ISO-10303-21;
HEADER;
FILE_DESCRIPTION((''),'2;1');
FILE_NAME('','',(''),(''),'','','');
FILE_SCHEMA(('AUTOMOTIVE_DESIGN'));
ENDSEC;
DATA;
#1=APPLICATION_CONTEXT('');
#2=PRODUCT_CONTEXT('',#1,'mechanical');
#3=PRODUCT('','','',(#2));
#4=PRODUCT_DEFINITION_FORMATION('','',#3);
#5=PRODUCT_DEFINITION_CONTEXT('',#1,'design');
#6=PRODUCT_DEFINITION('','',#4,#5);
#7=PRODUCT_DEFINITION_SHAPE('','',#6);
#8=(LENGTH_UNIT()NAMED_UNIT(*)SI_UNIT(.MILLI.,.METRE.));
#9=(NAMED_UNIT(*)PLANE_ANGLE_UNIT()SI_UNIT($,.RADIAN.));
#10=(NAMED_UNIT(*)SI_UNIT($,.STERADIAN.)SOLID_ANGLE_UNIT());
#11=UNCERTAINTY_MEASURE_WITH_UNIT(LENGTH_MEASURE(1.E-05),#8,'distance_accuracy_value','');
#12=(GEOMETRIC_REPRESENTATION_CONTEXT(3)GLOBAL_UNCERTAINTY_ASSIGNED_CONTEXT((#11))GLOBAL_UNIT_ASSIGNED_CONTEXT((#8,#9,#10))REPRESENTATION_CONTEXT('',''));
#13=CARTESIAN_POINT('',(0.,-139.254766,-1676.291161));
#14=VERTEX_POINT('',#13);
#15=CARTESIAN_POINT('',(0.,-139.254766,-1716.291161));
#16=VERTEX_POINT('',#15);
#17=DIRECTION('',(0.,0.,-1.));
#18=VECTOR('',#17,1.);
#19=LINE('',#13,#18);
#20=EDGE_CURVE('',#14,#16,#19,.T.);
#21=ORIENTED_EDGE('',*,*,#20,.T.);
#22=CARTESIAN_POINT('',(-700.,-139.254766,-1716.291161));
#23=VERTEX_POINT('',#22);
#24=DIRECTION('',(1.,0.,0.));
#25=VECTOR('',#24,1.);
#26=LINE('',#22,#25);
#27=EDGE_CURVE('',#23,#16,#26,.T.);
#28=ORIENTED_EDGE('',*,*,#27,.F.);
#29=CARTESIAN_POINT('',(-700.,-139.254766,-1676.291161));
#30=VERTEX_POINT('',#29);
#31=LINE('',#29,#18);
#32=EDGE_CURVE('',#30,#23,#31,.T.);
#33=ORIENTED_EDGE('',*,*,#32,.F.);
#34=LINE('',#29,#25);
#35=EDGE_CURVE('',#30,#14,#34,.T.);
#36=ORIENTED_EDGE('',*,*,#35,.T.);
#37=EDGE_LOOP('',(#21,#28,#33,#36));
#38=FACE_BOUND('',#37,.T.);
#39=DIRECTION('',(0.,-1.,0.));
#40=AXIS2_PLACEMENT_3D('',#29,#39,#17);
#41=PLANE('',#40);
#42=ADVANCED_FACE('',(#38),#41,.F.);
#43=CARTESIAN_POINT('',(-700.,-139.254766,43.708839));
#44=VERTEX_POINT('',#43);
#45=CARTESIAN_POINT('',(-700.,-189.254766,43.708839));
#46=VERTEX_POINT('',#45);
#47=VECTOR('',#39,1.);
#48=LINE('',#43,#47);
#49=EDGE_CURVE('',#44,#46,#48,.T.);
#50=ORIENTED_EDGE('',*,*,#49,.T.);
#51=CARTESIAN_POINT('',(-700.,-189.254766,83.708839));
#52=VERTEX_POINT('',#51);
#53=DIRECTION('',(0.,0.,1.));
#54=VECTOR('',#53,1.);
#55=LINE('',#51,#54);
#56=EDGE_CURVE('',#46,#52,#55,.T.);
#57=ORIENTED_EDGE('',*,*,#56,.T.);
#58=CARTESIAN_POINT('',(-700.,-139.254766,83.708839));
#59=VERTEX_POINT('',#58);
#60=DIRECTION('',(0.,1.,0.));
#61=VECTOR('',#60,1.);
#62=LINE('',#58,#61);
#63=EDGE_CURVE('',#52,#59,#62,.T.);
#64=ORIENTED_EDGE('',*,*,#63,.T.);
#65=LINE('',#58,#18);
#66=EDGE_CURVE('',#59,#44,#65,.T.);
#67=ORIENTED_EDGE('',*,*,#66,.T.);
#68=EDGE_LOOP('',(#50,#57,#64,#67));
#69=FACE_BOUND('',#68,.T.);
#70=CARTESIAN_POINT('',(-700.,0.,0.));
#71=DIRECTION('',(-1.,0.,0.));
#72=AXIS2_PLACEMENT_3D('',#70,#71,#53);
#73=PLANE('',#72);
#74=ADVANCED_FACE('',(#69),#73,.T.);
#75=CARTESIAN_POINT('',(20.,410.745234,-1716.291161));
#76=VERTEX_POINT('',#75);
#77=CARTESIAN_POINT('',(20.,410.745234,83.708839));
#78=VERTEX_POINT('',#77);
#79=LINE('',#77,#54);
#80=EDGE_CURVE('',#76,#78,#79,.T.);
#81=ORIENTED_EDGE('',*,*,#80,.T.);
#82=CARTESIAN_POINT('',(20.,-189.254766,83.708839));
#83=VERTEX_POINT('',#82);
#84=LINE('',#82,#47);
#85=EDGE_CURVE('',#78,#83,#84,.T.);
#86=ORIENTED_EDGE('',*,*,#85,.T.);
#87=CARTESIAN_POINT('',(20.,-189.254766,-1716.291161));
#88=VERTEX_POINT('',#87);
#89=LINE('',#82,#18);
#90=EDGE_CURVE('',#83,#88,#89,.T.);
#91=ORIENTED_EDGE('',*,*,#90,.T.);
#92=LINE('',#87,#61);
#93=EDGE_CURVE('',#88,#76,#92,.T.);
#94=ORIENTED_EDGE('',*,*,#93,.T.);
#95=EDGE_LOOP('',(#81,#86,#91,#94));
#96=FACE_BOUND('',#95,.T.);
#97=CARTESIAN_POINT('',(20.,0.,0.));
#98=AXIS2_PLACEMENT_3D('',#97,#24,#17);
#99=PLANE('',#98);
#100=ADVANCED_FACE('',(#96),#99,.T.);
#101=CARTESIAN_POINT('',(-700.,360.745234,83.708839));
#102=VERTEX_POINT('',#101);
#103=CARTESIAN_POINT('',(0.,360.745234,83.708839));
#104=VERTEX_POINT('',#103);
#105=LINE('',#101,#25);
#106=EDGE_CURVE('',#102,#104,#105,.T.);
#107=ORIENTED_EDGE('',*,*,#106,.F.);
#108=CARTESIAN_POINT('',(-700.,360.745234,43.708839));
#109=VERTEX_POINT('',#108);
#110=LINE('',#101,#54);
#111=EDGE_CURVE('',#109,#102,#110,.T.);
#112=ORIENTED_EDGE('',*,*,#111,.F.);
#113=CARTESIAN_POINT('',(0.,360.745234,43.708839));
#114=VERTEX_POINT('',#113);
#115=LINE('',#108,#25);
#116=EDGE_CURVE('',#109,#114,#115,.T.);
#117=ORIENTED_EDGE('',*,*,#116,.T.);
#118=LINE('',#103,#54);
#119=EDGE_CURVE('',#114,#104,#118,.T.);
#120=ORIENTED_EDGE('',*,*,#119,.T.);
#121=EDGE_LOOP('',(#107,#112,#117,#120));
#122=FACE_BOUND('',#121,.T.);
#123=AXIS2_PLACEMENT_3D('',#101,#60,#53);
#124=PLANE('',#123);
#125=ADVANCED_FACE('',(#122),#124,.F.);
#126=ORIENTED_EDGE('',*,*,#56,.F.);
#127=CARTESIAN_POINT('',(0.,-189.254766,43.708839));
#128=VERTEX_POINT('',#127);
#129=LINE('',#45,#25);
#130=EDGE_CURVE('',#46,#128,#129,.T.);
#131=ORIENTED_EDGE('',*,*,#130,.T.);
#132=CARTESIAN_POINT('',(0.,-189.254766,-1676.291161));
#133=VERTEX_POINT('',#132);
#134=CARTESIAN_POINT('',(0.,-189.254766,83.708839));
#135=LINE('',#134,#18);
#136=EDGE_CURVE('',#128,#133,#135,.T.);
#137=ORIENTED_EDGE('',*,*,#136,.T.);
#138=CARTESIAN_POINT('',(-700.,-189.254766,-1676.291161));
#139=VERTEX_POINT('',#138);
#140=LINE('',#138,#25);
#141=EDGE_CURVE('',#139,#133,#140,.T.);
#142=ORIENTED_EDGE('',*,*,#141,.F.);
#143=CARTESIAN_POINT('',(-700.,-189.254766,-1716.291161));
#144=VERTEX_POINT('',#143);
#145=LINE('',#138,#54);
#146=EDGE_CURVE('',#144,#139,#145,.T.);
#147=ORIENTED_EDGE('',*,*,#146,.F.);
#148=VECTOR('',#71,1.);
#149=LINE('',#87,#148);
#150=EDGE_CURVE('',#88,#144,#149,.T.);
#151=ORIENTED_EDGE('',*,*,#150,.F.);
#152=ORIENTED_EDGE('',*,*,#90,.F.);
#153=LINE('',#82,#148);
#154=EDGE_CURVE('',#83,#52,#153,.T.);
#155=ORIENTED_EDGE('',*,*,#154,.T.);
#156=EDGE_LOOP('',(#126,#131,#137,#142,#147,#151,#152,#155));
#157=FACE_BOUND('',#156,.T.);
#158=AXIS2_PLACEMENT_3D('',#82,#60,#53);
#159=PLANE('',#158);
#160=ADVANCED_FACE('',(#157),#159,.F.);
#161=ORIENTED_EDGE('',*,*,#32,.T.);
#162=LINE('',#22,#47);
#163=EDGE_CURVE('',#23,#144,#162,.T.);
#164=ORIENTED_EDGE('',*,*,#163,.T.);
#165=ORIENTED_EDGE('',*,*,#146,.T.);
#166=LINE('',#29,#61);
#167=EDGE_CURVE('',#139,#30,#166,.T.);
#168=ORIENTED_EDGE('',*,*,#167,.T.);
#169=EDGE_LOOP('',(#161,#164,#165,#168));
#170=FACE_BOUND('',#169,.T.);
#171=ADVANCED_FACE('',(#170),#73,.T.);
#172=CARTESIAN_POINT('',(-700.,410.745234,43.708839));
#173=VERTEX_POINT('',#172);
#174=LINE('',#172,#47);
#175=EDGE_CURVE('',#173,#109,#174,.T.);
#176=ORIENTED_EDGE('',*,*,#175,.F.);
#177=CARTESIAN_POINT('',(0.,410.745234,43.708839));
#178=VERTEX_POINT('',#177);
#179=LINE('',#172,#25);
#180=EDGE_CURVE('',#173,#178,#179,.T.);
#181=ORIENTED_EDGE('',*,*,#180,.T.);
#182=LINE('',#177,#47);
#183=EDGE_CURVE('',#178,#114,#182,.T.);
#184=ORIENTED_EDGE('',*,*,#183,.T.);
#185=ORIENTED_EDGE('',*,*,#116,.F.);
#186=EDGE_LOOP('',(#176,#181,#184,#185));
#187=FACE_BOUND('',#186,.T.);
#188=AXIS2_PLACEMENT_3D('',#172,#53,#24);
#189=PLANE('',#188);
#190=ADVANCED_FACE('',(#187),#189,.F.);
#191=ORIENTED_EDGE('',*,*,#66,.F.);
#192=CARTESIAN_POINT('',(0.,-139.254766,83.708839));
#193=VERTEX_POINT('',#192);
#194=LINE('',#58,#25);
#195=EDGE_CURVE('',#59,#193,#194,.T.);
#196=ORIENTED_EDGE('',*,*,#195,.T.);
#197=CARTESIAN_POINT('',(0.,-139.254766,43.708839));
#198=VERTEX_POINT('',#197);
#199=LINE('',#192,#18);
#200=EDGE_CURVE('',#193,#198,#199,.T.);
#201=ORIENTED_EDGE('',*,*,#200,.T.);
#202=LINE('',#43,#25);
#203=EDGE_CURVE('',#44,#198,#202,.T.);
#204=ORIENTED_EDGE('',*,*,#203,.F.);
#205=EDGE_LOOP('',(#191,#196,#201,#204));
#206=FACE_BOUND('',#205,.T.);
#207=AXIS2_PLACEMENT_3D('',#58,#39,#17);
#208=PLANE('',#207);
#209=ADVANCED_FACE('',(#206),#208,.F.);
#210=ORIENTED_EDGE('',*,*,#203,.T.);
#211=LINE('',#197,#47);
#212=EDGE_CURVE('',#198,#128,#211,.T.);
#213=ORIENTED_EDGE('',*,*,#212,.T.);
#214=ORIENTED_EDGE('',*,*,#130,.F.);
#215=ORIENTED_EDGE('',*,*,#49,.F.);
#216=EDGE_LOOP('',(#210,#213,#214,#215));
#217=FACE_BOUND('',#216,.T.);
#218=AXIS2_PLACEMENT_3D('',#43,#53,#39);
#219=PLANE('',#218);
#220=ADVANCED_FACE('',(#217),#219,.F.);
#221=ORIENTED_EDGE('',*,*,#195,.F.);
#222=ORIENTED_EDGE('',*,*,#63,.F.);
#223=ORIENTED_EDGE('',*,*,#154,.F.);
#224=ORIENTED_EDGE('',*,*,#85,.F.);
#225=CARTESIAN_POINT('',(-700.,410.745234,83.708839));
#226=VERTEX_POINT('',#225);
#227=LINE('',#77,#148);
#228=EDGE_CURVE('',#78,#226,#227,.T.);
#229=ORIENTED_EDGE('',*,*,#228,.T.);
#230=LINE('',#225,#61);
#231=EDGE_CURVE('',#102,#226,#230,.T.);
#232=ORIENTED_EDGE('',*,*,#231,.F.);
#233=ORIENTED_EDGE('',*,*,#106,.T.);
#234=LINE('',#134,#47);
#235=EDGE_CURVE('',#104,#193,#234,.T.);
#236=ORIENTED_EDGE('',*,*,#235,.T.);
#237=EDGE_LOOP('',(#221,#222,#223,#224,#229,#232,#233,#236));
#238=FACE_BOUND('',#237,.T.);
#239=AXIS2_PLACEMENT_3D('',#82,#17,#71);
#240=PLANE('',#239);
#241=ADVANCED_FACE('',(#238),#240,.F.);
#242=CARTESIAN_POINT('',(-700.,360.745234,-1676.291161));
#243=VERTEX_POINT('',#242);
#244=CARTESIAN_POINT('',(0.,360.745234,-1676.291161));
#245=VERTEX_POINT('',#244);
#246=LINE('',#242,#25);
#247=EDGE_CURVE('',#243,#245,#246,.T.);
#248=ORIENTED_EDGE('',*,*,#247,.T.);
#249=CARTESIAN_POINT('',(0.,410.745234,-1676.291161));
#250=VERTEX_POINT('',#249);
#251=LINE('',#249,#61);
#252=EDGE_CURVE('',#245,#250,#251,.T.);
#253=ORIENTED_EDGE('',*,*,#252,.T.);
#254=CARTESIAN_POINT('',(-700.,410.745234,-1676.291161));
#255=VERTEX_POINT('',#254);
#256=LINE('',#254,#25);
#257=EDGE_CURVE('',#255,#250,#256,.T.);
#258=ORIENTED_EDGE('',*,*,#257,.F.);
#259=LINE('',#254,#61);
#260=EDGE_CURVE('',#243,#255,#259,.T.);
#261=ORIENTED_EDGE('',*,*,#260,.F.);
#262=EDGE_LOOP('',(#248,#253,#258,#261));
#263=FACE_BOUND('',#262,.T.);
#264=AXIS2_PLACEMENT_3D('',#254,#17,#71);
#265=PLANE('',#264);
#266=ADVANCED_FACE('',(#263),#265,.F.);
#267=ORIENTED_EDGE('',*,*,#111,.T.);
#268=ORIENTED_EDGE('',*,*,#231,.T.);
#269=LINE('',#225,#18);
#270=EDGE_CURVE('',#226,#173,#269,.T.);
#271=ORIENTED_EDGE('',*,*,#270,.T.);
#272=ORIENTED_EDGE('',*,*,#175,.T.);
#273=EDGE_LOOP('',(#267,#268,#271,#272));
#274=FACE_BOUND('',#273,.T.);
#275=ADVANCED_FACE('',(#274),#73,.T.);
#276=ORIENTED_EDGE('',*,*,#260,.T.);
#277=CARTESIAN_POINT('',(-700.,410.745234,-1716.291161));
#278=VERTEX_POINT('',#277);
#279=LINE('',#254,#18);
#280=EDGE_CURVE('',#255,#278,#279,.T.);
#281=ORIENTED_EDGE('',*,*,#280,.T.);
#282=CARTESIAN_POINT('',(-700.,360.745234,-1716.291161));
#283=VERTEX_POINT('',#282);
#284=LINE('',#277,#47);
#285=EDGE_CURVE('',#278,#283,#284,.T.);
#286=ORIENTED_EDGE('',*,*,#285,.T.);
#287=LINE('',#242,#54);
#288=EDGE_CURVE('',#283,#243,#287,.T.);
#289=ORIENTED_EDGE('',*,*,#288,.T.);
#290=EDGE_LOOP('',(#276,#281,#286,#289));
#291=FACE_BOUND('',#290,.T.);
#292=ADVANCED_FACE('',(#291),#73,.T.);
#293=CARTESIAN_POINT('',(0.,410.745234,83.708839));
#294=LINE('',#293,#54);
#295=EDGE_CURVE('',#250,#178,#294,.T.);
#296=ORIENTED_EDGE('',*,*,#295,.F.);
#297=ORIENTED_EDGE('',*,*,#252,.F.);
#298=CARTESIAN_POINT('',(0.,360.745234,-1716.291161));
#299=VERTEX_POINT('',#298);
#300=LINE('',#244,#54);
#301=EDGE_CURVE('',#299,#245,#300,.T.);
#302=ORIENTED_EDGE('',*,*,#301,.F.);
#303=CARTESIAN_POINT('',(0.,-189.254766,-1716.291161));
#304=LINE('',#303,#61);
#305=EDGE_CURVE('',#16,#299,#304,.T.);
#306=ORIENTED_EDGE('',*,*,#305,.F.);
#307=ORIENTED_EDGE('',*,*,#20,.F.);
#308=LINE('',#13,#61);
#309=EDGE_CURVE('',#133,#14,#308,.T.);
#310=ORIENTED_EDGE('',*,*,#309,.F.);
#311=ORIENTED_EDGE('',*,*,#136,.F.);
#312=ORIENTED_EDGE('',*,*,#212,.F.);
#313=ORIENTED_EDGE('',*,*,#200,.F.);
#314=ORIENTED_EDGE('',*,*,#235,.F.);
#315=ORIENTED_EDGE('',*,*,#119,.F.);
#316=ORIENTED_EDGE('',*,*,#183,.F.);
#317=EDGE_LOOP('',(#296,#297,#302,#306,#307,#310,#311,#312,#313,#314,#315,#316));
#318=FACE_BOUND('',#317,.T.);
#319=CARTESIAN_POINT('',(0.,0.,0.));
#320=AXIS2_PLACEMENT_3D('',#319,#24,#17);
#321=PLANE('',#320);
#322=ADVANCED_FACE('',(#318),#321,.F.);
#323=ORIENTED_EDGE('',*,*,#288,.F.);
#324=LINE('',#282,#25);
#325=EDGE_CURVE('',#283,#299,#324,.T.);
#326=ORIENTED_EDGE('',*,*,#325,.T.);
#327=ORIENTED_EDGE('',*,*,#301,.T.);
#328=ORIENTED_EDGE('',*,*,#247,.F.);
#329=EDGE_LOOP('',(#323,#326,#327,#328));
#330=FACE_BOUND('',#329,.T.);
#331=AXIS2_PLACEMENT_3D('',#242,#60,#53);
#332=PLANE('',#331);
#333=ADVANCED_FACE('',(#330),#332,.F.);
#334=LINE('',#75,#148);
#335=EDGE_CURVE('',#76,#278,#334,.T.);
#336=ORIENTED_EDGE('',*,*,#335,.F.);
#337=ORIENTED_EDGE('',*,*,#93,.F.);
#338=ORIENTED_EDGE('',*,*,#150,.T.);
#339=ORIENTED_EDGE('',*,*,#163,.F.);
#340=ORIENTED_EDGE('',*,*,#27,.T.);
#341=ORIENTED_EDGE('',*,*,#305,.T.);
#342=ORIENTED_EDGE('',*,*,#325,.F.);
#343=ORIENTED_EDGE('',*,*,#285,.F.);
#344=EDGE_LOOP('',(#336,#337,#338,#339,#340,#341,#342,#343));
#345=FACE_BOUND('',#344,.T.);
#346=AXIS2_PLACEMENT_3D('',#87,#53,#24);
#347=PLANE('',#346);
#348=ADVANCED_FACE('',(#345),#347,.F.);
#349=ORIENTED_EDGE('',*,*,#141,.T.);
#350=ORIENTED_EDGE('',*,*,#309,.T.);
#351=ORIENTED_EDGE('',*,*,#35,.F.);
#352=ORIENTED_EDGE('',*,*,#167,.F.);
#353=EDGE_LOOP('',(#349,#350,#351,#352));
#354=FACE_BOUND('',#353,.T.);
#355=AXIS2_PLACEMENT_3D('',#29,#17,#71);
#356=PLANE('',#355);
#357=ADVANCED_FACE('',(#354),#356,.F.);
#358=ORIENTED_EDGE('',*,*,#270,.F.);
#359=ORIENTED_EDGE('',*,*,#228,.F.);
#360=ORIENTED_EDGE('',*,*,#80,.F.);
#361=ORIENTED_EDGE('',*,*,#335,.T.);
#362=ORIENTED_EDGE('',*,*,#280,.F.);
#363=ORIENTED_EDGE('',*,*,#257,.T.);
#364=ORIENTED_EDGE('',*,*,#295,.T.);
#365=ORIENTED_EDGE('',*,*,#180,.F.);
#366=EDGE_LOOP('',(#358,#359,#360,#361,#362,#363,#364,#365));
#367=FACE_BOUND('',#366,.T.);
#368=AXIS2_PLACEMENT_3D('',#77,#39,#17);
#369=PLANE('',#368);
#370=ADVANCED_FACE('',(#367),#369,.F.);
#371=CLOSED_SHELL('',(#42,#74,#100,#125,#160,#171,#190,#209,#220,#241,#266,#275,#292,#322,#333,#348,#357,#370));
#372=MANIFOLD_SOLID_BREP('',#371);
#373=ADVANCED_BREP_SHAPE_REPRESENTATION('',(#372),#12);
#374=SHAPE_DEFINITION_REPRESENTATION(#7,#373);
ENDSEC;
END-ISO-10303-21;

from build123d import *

# Parameters (mm, degrees)
SKETCH_1_W      = 600
SKETCH_1_H      = 1800
EXTRUDE_1_DEPTH = 20
SKETCH_2_W      = 50
SKETCH_2_H      = 40
EXTRUDE_2_DEPTH = 700


with BuildPart() as part:
    # 스케치1 → 보스-돌출1 (new body)
    with BuildSketch(Plane.YZ):
        with Locations((110.745233969, -816.291161179)):
            Rectangle(SKETCH_1_W, SKETCH_1_H)
    extrude(amount=EXTRUDE_1_DEPTH)

    # 스케치2 → 보스-돌출2 (add)
    with BuildSketch(Plane(origin=(0, 0, 0), x_dir=(0, -1, 0), z_dir=(-1, 0, 0))):
        with Locations((-385.745233969, -1696.291161179)):
            Rectangle(SKETCH_2_W, SKETCH_2_H)
        with Locations((-385.745233969, 63.708838821)):
            Rectangle(SKETCH_2_W, SKETCH_2_H)
        with Locations((164.254766031, 63.708838821)):
            Rectangle(SKETCH_2_W, SKETCH_2_H)
        with Locations((164.254766031, -1696.291161179)):
            Rectangle(SKETCH_2_W, SKETCH_2_H)
    extrude(amount=EXTRUDE_2_DEPTH)


solid = part.part
